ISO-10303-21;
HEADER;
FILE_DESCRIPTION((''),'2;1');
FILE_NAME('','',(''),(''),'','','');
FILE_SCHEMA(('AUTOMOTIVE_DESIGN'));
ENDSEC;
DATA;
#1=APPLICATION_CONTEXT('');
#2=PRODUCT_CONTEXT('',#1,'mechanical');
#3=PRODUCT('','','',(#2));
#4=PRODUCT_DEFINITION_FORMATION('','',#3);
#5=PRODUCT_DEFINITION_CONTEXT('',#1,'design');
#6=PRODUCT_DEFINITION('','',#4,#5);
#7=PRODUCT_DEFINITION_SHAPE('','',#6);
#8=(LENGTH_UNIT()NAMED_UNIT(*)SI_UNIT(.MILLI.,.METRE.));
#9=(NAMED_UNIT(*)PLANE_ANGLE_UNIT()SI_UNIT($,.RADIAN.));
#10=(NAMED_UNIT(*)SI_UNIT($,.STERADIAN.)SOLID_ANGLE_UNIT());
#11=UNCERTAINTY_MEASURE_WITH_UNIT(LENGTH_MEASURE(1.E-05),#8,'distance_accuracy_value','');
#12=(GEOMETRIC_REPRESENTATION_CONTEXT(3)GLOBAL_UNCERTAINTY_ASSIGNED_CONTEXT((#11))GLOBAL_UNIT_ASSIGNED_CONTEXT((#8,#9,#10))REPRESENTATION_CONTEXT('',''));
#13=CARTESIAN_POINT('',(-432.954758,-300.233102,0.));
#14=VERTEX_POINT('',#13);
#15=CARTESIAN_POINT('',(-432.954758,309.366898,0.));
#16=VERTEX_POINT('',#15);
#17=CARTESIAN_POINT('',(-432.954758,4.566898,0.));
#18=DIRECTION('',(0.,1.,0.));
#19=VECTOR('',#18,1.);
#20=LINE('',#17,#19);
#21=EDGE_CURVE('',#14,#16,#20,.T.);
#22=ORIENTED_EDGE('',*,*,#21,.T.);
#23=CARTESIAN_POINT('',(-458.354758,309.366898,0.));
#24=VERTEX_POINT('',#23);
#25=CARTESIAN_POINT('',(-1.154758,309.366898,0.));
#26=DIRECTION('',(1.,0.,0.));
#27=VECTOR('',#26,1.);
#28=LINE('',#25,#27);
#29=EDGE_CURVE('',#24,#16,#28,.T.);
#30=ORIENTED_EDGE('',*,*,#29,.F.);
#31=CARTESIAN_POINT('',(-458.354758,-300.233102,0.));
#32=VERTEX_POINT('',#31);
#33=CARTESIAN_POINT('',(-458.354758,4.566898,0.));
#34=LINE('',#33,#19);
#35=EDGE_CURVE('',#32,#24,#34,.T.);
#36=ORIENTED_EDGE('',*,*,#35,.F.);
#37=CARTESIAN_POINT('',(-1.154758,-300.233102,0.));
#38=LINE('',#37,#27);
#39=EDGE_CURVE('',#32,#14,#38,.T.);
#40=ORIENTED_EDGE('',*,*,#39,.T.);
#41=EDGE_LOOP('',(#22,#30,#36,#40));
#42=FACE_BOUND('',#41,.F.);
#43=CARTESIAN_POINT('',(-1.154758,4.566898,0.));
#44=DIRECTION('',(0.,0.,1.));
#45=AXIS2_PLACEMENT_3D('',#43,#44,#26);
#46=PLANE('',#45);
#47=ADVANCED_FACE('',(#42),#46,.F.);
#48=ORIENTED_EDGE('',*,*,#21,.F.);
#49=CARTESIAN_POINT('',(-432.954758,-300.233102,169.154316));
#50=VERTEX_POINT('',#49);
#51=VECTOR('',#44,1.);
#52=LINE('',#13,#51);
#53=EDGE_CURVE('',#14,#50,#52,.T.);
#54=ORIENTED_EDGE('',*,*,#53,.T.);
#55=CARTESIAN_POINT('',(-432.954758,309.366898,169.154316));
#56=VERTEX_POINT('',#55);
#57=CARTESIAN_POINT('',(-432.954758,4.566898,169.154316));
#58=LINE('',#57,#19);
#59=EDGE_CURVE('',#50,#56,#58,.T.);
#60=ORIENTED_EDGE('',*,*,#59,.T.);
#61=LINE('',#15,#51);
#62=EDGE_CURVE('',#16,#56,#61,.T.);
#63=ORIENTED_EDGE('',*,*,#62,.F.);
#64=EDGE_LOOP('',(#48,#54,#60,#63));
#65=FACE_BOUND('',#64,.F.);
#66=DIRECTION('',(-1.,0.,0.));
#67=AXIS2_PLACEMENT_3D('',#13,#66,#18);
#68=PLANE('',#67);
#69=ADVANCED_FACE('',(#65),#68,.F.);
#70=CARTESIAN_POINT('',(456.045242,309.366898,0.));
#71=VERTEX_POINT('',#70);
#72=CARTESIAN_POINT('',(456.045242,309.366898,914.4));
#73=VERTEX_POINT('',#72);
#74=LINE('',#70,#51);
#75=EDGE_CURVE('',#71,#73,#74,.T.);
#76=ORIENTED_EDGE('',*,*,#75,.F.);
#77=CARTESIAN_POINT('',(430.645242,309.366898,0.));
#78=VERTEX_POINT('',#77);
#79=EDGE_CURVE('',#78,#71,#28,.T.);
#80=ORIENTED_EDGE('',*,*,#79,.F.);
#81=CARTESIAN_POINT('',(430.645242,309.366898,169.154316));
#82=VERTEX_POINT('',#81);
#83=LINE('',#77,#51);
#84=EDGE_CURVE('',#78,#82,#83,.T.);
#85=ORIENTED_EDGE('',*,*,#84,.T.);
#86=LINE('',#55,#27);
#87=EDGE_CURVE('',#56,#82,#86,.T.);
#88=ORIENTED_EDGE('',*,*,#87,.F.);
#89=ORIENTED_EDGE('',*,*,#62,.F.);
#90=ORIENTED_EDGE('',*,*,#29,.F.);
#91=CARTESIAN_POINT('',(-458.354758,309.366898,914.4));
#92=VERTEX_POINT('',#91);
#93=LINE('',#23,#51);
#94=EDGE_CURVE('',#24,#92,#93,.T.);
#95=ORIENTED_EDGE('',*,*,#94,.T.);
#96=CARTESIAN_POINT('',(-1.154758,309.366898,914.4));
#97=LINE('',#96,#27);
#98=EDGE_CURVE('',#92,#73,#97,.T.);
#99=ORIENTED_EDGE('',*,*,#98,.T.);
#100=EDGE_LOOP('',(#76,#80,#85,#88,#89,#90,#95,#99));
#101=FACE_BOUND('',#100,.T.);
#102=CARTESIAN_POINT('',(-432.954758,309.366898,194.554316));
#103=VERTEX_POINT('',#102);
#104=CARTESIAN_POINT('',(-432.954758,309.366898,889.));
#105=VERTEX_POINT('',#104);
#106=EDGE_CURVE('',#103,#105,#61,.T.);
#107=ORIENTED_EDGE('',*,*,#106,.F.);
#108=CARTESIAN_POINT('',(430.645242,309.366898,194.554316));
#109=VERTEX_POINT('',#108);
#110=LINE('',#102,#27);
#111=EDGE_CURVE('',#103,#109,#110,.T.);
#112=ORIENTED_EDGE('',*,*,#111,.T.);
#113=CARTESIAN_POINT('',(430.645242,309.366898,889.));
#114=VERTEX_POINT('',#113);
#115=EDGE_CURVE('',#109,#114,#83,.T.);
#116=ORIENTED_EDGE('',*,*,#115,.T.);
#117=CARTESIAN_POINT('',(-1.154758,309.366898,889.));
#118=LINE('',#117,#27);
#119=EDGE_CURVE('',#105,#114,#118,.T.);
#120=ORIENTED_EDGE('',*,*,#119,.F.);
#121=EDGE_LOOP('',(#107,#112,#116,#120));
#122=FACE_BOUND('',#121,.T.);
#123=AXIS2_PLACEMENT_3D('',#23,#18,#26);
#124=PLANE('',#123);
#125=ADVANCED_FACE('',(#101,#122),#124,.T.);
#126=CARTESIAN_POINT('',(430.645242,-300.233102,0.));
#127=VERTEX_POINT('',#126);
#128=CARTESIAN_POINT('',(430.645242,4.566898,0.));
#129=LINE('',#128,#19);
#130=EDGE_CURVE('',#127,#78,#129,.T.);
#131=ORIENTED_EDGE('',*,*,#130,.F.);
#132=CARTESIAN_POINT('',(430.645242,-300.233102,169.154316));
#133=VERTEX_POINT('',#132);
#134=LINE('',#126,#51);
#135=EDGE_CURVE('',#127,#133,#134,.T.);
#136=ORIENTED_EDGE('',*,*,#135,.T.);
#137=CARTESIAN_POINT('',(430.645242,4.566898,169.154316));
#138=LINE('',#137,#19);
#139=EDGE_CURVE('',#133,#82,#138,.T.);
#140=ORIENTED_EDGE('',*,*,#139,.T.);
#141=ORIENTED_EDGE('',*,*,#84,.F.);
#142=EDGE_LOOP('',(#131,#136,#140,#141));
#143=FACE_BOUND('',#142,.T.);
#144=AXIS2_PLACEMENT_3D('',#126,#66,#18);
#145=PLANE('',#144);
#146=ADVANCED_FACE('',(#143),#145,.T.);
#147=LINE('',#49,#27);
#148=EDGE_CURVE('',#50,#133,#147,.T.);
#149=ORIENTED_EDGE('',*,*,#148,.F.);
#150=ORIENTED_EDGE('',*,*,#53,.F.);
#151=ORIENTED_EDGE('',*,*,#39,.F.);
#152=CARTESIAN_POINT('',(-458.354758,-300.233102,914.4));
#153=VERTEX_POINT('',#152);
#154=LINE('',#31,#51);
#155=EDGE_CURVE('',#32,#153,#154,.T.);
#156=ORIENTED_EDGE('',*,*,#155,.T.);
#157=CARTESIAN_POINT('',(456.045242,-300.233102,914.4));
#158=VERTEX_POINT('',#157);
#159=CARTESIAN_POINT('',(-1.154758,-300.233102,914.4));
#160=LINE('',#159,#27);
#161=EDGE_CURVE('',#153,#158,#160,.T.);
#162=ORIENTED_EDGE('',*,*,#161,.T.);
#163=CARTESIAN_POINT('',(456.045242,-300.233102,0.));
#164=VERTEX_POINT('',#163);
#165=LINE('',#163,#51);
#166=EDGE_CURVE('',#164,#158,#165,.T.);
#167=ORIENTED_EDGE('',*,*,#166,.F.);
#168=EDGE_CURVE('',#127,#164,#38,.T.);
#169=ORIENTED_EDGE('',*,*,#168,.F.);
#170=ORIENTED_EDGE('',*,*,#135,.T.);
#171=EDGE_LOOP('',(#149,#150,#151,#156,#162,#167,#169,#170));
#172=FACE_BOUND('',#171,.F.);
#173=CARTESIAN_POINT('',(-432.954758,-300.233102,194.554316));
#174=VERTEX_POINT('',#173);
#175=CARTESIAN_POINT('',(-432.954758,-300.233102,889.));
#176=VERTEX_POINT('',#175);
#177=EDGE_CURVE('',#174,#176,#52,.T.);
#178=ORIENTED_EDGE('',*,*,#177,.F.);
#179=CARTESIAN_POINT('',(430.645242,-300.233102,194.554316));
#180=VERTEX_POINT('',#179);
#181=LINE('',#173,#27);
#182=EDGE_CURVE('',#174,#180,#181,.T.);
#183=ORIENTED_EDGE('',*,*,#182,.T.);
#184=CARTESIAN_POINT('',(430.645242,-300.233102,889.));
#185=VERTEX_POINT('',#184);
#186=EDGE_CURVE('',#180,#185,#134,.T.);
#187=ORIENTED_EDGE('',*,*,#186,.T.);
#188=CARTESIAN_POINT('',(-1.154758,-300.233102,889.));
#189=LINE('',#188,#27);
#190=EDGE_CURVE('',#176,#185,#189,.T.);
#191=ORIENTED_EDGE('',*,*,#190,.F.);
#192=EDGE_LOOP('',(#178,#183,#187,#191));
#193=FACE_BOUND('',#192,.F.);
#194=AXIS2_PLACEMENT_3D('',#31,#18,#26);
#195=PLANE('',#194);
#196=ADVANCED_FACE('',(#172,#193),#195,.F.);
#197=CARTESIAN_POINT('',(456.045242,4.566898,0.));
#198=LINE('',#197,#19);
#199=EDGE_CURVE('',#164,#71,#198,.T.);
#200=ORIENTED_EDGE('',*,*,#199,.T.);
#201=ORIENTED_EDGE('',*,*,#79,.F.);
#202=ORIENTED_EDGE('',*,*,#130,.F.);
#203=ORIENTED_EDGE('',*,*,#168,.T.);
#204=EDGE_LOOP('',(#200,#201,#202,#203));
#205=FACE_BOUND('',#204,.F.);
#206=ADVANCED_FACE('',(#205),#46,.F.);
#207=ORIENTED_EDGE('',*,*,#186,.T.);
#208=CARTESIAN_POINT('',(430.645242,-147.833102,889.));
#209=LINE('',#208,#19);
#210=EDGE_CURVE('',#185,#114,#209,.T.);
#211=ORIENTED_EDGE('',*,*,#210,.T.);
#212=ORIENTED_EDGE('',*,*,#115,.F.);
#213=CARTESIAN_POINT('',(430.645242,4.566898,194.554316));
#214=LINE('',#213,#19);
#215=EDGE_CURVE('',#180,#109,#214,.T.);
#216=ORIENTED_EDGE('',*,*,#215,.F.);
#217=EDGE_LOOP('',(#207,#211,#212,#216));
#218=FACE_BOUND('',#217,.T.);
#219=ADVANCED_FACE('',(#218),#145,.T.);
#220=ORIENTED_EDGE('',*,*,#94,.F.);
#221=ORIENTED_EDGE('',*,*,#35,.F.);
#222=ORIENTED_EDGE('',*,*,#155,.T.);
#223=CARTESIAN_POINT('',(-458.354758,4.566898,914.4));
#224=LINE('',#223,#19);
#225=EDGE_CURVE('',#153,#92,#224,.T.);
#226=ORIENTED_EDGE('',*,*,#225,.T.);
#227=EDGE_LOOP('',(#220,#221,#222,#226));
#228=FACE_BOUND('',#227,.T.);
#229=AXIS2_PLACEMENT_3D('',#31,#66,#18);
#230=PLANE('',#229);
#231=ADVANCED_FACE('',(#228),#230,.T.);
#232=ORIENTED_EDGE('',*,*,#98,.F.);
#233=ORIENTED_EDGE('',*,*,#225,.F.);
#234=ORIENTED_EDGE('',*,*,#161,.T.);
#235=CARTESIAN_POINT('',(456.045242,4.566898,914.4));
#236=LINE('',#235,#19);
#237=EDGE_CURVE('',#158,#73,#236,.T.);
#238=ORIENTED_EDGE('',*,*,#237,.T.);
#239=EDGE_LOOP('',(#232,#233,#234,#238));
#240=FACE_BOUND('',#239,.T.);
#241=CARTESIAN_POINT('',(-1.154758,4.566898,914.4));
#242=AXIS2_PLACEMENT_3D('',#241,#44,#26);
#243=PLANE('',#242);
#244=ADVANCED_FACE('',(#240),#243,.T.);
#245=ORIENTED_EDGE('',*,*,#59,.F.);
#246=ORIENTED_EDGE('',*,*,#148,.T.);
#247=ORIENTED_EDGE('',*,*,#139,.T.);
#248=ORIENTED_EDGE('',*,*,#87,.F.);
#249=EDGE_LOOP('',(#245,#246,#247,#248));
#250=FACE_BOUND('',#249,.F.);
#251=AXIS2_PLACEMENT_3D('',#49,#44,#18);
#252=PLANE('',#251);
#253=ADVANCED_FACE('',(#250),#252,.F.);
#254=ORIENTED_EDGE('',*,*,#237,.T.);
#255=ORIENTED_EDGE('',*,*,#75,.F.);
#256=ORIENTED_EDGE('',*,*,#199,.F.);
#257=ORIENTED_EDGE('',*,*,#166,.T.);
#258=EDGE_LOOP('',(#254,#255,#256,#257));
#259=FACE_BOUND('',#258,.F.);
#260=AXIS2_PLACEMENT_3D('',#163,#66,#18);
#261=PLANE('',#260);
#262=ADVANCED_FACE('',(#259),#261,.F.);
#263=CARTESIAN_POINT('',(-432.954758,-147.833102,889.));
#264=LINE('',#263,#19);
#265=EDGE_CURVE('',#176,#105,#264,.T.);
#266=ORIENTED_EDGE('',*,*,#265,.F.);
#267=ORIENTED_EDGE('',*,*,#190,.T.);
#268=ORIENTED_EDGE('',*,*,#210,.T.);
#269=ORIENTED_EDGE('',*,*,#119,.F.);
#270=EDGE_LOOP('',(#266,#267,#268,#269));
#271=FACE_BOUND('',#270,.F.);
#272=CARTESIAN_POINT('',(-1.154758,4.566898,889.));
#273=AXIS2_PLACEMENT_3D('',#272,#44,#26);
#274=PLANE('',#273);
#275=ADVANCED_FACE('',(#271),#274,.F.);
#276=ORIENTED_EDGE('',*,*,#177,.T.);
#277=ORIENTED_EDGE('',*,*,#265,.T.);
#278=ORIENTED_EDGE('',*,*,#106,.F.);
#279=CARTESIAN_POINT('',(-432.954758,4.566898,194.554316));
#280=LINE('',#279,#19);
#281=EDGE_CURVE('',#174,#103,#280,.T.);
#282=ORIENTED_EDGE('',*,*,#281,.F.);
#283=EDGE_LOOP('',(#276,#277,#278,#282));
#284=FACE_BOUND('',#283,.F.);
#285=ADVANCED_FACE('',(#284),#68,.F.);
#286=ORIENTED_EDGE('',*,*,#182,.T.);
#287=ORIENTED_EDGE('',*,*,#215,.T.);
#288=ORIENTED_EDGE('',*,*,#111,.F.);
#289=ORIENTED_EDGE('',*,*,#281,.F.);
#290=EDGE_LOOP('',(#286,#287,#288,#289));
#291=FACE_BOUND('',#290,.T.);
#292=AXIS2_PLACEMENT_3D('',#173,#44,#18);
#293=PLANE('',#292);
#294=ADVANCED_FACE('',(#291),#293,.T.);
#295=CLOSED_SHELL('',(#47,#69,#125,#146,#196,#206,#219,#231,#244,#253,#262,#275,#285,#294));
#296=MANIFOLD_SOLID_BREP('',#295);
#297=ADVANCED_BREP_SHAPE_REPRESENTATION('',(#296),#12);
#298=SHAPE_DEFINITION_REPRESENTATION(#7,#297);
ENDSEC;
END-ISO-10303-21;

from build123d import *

# Parameters (mm, degrees)
F0_W     = 914.4
F0_H     = 609.6
F1_DEPTH = 914.4
F2_T     = -25.4
F3_W     = 609.6
F3_H     = 25.4
F4_DEPTH = 863.6


with BuildPart() as f1:
    # F0 (on Top) → F1 (new body)
    with BuildSketch(Plane.XY):
        with Locations((-1.154758, 4.566898)):
            Rectangle(F0_W, F0_H)
    extrude(amount=F1_DEPTH)

    # F2
    f2_openings = [f1.faces().sort_by_distance(p)[0] for p in [
        (-1.154758, 4.566898, 0),
        (-1.154758, -300.233102, 457.2),
        (-1.154758, 309.366898, 457.2),
    ]]
    offset(amount=F2_T, openings=f2_openings)

    # F3 (on face) → F4 (join, through all)
    with BuildSketch(Plane.YZ.offset(-432.954758)):
        with Locations((4.566898, 181.854316)):
            Rectangle(F3_W, F3_H)
    extrude(amount=F4_DEPTH)


solid = f1.part
